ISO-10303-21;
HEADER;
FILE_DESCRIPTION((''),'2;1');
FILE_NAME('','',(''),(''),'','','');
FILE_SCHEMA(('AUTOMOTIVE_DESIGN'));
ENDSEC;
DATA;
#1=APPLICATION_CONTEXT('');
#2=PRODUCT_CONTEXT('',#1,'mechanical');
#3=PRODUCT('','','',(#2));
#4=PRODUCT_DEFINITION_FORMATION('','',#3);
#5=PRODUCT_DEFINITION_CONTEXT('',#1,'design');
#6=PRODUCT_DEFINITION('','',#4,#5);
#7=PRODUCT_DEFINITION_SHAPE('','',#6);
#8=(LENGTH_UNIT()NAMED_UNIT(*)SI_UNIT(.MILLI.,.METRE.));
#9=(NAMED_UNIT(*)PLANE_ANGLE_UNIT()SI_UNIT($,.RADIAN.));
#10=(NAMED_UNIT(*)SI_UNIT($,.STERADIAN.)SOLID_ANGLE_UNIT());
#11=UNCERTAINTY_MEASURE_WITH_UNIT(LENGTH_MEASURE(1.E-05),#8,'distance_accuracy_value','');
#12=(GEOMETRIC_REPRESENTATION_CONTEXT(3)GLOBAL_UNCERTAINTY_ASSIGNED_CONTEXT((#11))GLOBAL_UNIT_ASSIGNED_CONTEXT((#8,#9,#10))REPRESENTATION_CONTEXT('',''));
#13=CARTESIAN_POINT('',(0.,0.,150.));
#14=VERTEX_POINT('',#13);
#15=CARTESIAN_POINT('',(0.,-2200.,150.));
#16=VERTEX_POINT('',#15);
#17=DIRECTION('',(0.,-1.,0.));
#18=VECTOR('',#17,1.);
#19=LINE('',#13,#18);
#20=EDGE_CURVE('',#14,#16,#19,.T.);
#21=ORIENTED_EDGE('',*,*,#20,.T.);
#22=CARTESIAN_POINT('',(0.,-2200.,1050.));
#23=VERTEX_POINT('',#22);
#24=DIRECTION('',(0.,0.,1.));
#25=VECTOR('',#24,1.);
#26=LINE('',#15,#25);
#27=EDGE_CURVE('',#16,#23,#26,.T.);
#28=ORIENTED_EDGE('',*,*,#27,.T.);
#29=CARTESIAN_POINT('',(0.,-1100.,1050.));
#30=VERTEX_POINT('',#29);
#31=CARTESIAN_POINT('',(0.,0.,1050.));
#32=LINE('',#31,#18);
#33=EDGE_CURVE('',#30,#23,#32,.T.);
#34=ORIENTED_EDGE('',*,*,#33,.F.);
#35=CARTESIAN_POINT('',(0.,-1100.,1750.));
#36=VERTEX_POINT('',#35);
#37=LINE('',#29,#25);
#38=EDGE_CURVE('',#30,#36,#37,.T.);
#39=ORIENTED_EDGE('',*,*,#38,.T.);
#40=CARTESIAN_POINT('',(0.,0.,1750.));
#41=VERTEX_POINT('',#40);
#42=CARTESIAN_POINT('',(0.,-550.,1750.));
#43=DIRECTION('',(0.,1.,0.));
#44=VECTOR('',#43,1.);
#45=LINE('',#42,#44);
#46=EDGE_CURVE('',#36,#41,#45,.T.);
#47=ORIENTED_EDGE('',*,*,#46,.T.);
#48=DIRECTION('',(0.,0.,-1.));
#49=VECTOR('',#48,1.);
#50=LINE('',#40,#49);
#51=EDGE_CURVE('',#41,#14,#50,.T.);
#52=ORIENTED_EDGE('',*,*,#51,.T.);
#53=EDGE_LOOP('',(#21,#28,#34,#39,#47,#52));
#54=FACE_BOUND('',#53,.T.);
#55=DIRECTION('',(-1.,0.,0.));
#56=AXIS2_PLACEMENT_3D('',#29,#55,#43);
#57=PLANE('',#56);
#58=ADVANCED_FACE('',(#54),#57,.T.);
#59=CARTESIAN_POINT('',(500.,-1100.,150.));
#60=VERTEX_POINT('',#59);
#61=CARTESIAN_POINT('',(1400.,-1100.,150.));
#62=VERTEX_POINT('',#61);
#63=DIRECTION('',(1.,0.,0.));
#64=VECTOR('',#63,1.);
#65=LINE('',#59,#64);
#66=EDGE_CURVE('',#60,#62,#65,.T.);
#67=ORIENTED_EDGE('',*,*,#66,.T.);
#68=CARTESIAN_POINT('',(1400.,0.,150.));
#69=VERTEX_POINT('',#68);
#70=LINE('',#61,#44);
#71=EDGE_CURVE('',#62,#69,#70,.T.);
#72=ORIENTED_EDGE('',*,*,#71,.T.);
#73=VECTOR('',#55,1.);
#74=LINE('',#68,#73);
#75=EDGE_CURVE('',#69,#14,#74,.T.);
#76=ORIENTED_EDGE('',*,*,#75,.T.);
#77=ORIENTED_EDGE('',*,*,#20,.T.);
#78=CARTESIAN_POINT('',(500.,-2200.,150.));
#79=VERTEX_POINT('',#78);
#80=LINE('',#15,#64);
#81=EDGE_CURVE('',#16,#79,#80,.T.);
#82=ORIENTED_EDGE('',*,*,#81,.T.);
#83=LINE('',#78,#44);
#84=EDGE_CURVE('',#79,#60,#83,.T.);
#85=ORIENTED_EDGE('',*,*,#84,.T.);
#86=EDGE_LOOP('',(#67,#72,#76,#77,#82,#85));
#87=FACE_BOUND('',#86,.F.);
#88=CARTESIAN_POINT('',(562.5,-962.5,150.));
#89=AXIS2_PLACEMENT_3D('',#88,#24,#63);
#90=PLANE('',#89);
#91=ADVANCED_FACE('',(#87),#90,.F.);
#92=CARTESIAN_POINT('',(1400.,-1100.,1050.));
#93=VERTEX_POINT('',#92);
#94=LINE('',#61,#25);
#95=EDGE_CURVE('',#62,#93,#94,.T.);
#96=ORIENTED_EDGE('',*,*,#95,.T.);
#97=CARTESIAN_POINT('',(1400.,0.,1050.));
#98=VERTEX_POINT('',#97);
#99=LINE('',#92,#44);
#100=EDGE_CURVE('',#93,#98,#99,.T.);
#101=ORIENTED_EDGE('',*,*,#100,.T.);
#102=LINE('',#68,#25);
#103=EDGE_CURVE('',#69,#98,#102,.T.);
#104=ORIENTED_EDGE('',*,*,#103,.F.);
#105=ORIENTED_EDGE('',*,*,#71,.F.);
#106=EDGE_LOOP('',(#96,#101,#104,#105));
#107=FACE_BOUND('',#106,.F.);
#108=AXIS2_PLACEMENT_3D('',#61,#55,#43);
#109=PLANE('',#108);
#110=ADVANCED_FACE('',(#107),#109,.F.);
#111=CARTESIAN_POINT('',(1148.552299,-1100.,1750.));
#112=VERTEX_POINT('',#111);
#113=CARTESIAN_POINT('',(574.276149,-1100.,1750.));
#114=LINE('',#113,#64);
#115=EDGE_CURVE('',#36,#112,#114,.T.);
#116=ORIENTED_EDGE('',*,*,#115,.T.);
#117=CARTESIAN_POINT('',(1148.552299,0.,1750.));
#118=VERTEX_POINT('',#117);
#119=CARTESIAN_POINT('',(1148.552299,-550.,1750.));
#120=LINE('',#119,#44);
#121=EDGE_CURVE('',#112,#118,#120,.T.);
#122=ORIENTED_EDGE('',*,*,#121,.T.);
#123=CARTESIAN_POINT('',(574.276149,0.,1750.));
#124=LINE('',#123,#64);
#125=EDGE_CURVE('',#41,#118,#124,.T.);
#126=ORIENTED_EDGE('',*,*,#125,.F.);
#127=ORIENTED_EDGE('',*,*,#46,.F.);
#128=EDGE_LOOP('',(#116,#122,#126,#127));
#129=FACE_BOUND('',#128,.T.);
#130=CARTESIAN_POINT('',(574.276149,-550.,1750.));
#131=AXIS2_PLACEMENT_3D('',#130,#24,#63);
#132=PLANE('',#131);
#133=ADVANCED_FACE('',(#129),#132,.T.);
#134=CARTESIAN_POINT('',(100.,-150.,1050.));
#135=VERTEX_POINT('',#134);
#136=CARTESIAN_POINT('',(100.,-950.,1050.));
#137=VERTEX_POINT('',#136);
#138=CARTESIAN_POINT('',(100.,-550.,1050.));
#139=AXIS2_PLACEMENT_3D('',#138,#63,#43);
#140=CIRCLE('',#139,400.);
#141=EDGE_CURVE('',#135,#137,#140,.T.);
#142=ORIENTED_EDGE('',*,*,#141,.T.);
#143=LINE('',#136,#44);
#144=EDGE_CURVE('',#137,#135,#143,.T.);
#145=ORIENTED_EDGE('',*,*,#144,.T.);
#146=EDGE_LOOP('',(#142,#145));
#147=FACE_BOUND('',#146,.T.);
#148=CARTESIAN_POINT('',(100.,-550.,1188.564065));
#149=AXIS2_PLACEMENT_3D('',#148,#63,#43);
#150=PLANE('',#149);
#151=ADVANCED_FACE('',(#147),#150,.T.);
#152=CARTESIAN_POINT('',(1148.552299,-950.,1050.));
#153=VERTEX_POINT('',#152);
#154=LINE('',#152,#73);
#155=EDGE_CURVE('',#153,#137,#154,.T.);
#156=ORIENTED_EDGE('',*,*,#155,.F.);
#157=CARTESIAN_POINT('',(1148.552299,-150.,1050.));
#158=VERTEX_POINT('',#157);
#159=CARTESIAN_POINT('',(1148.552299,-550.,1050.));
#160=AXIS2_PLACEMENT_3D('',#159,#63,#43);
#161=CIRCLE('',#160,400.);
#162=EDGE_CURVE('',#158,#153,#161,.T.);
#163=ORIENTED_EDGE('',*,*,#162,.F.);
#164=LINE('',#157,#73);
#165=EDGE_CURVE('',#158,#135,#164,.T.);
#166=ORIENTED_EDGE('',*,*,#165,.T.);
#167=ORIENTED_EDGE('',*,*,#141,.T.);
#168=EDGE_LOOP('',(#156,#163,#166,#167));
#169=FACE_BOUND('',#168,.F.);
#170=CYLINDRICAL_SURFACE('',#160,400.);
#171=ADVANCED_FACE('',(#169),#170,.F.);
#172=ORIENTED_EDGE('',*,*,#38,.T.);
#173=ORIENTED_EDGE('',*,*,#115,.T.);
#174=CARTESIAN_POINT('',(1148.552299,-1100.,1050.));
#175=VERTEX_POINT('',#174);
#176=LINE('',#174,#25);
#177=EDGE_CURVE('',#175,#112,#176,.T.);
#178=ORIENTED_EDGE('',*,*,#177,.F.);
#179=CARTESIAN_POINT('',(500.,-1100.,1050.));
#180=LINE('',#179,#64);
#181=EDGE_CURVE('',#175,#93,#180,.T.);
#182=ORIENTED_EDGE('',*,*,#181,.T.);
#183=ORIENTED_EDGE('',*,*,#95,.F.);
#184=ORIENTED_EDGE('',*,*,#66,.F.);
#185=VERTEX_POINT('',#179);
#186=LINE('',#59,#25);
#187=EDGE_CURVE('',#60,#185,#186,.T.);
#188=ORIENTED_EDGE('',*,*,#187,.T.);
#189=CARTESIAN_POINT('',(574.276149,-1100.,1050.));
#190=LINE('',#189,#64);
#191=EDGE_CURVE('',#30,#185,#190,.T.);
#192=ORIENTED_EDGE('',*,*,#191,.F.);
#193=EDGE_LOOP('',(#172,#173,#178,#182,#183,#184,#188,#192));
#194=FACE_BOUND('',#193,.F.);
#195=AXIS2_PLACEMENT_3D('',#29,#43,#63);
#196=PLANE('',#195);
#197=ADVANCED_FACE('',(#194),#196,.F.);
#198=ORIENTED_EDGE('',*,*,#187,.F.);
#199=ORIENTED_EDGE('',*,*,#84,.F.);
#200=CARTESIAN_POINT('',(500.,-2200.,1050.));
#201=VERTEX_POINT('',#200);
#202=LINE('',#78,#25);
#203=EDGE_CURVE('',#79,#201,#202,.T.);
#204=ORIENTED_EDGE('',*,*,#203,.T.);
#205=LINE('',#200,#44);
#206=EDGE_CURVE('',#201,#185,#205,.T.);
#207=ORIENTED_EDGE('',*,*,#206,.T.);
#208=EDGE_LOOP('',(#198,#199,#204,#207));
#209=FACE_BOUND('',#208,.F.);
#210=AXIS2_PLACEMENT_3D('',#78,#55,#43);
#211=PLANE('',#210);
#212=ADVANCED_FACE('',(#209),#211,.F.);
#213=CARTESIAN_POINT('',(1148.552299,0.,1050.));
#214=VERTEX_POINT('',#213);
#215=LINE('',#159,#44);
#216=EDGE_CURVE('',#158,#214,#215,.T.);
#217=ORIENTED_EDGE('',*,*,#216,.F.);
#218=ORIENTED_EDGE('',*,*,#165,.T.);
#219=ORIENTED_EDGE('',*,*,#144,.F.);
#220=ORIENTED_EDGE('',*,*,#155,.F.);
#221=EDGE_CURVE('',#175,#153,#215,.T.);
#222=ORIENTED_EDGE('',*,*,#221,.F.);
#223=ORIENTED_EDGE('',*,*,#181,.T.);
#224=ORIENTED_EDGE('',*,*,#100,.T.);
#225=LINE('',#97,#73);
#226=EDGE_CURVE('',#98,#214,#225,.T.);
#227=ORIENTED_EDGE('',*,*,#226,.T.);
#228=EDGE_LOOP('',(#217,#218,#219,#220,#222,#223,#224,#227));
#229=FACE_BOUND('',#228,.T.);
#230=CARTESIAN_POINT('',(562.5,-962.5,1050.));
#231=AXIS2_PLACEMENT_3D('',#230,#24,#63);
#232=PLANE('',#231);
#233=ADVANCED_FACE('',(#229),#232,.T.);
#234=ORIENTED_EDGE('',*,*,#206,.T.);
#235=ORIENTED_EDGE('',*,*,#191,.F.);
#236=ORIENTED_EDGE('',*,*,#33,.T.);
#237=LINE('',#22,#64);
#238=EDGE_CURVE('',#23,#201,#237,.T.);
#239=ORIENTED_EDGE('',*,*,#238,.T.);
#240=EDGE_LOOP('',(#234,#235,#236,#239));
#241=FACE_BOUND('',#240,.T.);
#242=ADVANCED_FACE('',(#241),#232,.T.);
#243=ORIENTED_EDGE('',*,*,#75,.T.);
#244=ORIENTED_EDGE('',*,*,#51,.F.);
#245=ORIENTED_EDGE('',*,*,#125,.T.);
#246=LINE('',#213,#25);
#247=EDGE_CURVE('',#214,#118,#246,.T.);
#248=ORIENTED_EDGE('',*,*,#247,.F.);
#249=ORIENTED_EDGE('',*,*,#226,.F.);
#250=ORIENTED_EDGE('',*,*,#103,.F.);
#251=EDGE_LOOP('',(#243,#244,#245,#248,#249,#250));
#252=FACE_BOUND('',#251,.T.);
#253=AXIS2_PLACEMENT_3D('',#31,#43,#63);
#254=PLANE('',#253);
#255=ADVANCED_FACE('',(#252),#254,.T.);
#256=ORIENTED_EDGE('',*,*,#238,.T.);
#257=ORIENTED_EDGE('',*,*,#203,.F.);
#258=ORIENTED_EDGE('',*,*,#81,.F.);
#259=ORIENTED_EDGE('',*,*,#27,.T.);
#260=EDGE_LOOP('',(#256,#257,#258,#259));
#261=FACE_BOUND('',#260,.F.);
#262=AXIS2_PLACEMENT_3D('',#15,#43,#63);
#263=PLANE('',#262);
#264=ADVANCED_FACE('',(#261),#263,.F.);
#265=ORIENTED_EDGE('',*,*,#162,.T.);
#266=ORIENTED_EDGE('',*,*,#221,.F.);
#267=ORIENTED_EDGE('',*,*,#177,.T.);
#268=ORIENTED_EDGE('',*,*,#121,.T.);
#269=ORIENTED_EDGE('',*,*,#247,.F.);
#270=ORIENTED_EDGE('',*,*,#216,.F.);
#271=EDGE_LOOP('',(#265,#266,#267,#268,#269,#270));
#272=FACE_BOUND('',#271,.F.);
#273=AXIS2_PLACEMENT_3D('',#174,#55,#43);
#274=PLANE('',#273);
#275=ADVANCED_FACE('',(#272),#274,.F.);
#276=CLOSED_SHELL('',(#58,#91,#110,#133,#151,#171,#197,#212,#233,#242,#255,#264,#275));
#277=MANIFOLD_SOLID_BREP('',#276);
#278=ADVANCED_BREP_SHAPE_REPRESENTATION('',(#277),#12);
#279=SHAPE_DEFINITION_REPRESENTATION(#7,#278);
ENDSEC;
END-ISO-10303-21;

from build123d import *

# Parameters (mm, degrees)
F2_DEPTH = 900
F4_W     = 1148.5522985458
F4_H     = 1100
F5_DEPTH = 700
F8_DEPTH = 1048.5522985458


with BuildPart() as f2:
    # F1 (on offset) → F2 (new body)
    with BuildSketch(Plane.XY.offset(150)):
        Polygon((1400, 0), (0, 0), (0, -2200), (500, -2200), (500, -1100), (1400, -1100), align=None)
    extrude(amount=F2_DEPTH)

    # F4 (on offset) → F5 (join)
    with BuildSketch(Plane.XY.offset(1050)):
        with Locations((574.2761492729, -550)):
            Rectangle(F4_W, F4_H)
    extrude(amount=F5_DEPTH)

    # F7 (on face) → F8 (cut, through all)
    with BuildSketch(Plane.YZ.offset(1148.5522985458)):
        with BuildLine():
            Line((-950, 1050), (-150, 1050))
            ThreePointArc((-150, 1050), (-550, 1450), (-950, 1050))
        make_face()
    extrude(amount=-F8_DEPTH, mode=Mode.SUBTRACT)


solid = f2.part
